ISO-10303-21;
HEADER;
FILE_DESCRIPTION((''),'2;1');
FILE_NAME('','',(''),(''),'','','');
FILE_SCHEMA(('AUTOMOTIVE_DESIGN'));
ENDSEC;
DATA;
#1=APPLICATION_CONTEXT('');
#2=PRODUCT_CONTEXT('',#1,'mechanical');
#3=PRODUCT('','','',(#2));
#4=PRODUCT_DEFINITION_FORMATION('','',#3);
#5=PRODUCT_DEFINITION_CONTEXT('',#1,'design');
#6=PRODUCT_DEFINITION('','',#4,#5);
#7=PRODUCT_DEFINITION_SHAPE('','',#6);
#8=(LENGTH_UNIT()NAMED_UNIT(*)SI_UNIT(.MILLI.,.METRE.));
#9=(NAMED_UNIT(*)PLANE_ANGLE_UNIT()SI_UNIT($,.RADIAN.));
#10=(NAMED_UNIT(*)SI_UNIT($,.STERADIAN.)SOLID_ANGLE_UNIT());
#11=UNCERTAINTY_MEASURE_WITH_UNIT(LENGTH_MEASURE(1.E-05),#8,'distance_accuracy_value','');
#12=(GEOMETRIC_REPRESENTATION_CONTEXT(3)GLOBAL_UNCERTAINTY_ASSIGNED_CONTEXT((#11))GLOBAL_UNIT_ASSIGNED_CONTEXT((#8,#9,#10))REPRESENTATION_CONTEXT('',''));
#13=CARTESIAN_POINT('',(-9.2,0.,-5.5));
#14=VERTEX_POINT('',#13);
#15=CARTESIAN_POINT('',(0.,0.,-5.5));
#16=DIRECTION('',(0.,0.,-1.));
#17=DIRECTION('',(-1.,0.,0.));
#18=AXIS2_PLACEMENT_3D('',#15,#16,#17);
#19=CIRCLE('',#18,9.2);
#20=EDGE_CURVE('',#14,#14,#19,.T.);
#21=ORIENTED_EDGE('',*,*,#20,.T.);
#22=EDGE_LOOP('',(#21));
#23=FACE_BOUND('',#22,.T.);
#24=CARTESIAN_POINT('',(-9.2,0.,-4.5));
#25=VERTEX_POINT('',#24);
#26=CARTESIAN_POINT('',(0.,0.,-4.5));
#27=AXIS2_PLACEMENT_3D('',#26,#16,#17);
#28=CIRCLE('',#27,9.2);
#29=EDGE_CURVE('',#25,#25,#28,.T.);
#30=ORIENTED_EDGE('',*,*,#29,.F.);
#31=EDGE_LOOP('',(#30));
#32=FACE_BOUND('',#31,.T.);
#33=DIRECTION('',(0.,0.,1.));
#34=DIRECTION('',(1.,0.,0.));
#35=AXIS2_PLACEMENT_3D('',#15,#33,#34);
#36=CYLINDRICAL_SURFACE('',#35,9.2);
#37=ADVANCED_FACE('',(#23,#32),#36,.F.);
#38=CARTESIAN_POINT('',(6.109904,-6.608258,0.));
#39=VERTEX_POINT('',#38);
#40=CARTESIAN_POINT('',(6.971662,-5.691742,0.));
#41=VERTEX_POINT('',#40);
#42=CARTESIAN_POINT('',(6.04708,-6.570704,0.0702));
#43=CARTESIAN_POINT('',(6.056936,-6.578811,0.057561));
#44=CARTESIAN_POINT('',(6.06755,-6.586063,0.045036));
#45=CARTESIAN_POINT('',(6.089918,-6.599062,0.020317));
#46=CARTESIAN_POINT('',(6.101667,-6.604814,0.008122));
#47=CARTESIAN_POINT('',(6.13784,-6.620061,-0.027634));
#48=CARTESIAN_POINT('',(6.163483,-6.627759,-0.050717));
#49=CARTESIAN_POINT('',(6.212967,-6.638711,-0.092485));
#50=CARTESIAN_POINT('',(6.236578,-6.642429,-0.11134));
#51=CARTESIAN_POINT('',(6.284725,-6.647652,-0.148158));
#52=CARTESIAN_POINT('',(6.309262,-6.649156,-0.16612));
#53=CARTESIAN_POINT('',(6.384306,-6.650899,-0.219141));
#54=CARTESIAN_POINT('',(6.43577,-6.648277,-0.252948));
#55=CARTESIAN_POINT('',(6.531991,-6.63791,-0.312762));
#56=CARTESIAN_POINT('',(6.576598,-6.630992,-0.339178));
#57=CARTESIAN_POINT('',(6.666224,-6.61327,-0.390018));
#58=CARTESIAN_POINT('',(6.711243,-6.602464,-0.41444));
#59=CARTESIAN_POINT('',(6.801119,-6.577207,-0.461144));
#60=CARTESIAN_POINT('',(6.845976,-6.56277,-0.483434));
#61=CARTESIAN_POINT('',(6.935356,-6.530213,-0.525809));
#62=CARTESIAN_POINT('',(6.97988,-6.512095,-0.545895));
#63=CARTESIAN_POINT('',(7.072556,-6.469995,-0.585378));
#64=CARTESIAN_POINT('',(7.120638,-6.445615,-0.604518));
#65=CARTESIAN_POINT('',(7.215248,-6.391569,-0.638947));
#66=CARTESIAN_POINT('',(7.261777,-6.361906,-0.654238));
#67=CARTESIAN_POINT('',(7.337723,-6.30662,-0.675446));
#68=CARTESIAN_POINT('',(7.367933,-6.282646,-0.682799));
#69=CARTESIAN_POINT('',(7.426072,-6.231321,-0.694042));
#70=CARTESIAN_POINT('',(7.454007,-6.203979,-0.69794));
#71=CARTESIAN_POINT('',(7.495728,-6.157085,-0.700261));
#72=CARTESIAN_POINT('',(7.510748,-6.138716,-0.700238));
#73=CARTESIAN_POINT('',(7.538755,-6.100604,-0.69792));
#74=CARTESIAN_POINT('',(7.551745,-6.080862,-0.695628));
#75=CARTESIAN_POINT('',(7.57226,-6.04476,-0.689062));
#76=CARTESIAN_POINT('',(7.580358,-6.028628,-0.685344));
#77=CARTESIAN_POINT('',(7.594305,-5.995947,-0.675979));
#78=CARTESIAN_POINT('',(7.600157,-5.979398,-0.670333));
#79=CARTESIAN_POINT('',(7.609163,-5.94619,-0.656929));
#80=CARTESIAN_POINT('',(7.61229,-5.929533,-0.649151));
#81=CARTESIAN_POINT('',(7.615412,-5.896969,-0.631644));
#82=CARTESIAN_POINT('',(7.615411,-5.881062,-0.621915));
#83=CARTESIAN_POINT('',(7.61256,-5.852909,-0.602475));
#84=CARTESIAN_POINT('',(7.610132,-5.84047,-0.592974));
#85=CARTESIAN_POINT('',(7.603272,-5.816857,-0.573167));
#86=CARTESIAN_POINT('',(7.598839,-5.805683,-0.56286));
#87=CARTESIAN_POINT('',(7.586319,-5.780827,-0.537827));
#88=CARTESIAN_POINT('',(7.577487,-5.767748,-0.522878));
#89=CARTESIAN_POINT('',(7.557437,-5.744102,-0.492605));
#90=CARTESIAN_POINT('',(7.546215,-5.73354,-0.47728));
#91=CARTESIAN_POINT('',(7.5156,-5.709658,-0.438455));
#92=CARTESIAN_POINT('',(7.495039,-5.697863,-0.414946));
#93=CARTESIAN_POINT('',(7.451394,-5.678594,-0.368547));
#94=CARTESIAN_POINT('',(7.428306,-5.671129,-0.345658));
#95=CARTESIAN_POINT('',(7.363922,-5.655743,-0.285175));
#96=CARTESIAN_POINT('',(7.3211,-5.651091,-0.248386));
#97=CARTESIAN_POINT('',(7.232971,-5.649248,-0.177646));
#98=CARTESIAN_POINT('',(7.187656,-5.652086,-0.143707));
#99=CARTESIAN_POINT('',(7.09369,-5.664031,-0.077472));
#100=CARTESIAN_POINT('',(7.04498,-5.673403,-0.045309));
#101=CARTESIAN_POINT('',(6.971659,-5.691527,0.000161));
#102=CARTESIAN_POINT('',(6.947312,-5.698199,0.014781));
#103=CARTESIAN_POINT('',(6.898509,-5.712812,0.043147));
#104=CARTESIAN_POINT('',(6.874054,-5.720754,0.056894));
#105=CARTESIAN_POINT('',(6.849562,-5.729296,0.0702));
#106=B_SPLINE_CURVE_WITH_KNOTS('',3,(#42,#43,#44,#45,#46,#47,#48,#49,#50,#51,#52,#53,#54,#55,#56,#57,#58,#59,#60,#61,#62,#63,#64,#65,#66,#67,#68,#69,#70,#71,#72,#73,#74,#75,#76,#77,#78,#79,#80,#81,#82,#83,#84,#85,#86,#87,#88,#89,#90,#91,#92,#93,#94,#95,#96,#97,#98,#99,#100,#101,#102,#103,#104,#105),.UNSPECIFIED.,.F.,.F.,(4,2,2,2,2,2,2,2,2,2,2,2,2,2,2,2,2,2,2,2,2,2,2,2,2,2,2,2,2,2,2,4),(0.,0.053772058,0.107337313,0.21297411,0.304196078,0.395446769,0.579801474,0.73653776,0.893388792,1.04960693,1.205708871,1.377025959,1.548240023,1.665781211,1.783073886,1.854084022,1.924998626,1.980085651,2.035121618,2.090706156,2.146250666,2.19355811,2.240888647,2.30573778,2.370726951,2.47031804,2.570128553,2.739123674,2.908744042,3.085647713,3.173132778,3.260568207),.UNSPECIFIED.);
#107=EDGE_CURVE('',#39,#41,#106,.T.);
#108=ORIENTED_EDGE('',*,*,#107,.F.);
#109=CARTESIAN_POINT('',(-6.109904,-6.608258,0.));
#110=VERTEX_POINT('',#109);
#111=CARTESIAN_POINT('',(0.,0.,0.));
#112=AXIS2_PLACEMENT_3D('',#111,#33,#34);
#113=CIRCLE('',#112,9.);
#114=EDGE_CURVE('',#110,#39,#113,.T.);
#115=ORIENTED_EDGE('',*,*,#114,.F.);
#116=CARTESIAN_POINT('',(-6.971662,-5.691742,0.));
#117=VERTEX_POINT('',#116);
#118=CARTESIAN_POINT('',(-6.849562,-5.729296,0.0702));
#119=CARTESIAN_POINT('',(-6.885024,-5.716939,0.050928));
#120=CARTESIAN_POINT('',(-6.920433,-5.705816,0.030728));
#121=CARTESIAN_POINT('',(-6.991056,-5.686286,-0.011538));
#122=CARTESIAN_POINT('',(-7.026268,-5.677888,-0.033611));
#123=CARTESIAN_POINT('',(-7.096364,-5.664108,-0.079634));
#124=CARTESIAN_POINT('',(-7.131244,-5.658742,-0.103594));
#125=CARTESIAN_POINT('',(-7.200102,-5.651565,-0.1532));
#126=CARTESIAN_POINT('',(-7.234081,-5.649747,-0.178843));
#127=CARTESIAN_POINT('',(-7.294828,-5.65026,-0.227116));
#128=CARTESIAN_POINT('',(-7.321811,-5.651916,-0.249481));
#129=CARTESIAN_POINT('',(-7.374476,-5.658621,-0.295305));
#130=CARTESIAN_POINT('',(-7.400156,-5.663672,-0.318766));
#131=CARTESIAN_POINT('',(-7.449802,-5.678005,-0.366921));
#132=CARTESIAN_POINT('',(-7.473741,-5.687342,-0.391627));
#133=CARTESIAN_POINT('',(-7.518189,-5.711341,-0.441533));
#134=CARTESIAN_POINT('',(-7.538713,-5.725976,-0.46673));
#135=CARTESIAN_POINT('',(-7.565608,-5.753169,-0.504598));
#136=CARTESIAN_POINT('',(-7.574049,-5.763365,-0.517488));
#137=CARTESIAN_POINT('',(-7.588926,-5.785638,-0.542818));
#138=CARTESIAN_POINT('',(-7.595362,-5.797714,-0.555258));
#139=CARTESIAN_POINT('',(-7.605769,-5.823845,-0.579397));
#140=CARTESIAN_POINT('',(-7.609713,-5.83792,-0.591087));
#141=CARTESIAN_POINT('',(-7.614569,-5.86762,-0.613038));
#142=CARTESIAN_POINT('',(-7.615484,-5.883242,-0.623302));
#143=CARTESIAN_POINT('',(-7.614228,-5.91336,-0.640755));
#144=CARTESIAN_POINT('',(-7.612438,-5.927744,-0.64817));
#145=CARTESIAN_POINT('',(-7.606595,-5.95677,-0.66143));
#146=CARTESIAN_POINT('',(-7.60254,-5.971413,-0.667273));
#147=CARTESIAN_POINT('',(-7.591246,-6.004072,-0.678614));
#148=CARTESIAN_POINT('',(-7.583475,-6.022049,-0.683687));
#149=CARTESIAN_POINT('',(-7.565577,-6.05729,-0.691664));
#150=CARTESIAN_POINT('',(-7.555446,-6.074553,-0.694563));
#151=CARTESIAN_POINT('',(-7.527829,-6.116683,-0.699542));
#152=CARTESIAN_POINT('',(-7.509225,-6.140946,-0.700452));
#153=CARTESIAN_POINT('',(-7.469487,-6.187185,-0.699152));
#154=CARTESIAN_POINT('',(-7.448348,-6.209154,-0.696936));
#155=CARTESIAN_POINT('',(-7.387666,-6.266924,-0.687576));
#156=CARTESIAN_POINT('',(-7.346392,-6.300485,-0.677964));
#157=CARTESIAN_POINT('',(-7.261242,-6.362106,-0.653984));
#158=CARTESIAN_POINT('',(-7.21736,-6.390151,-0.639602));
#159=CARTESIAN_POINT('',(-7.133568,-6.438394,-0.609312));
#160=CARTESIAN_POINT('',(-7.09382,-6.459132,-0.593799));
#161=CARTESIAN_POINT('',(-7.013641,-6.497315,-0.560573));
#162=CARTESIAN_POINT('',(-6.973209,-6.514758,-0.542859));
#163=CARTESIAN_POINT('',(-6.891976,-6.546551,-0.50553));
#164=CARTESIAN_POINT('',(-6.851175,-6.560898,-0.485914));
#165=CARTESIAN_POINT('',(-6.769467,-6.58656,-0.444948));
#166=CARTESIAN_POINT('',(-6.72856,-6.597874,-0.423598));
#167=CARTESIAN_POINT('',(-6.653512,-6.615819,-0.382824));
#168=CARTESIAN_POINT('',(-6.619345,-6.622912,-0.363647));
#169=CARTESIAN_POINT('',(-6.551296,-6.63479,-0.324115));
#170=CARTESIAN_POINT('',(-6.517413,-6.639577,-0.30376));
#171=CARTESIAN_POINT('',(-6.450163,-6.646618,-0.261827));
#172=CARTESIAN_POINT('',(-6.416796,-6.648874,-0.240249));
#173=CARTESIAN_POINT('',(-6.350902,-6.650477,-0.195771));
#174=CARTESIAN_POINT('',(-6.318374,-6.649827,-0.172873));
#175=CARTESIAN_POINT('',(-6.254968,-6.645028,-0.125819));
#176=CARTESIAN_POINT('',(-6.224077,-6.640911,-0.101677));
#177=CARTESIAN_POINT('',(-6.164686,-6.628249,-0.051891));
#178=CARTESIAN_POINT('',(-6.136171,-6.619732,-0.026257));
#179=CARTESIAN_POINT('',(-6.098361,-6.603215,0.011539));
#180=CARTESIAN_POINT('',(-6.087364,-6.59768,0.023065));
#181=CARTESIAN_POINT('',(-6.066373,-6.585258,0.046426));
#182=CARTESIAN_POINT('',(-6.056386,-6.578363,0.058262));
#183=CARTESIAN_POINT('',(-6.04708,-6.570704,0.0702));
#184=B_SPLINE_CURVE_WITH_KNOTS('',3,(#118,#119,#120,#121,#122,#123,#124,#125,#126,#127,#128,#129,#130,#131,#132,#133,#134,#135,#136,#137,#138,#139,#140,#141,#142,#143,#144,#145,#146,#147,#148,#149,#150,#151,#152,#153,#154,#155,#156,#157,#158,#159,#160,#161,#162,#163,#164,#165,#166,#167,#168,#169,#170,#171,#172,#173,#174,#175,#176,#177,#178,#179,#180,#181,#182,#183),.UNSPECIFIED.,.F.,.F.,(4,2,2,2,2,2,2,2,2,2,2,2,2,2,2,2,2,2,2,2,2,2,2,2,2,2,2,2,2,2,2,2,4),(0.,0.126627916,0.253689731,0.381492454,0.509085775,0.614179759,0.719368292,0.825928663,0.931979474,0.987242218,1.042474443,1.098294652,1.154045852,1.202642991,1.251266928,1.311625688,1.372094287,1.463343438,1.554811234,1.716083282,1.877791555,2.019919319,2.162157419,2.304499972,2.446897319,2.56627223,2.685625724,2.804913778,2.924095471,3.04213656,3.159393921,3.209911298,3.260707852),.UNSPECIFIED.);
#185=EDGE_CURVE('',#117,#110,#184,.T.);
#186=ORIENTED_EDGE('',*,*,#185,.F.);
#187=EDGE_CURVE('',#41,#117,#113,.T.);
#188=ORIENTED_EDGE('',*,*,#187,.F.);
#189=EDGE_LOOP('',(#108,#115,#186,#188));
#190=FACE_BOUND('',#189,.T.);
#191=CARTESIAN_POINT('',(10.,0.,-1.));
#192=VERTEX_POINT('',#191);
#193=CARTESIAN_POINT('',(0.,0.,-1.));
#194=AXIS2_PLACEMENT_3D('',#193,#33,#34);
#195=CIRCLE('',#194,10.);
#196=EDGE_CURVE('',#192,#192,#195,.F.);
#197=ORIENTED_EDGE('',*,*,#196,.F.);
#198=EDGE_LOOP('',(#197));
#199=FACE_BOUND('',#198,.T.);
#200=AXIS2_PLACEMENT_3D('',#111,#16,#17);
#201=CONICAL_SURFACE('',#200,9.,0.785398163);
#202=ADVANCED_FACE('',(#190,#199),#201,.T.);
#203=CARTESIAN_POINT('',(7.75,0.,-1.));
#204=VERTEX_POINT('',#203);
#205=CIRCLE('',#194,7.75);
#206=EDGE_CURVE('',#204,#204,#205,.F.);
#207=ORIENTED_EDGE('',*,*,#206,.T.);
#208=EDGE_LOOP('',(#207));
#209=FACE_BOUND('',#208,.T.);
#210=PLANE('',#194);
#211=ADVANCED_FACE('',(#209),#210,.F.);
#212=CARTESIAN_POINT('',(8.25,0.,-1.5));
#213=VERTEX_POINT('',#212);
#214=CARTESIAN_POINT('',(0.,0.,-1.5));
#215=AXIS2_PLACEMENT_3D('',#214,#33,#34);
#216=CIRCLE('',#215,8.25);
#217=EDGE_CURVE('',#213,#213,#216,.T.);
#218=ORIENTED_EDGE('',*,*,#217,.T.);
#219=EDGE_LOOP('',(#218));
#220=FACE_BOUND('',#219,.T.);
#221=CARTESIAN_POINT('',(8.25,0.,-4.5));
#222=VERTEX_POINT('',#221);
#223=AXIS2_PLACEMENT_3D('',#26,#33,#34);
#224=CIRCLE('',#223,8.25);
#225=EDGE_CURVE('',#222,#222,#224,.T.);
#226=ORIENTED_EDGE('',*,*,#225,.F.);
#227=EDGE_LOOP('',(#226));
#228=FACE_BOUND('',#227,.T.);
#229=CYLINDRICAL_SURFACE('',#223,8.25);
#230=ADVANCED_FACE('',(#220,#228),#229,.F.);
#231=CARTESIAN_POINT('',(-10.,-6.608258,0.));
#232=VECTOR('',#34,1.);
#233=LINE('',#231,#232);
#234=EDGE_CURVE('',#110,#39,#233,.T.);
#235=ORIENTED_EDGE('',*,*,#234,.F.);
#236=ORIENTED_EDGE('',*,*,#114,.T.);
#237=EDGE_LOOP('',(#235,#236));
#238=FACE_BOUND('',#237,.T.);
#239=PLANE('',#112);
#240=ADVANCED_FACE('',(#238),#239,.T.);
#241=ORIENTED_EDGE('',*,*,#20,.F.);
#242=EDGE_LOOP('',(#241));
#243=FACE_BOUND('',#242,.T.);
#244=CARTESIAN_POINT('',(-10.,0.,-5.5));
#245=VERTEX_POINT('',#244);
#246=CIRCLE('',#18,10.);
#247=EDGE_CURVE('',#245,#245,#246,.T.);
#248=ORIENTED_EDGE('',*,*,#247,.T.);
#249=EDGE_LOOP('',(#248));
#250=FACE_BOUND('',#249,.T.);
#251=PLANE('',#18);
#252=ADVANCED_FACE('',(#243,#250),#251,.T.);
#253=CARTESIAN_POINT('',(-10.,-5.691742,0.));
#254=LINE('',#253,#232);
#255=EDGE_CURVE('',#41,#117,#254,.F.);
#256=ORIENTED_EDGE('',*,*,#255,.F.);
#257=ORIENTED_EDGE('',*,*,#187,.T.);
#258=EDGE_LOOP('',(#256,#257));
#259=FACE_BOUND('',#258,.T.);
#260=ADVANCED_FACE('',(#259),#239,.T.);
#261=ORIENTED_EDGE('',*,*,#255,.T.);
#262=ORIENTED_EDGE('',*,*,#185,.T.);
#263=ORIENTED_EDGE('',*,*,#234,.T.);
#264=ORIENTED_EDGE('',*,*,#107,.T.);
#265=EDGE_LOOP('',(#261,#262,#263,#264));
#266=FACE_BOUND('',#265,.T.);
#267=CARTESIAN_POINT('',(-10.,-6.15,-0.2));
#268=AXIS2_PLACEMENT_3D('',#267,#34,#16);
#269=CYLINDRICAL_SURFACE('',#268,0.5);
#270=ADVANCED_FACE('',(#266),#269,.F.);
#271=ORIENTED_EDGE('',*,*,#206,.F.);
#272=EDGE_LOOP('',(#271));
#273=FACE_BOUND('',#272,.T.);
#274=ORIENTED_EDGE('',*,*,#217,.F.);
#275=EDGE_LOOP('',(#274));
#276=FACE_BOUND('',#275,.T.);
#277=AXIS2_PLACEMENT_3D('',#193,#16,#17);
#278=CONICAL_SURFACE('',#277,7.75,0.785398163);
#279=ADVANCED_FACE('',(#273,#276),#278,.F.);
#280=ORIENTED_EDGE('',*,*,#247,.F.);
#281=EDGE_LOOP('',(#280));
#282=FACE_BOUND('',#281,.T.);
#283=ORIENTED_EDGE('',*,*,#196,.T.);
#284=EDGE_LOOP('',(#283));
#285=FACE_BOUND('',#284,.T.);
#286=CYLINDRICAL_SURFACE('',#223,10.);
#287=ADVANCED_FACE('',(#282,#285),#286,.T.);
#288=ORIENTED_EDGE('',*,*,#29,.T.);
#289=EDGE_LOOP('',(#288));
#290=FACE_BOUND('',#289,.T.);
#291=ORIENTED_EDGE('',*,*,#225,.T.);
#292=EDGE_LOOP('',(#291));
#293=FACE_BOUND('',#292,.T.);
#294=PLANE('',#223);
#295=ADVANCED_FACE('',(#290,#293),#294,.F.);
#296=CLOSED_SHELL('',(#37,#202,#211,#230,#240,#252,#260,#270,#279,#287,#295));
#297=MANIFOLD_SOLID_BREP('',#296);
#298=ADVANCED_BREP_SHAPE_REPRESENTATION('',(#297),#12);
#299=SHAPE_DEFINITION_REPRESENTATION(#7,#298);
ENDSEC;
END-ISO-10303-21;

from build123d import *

# Parameters (mm, degrees)
SKETCH1_R               = 10
SKETCH1_R_2             = 8.25
BOSS_EXTRUDE1_DEPTH     = 4.5
SKETCH1_3_R             = 8.25
BOSS_EXTRUDE2_DEPTH     = 1
SKETCH2_R               = 10
SKETCH2_R_2             = 9.2
BOSS_EXTRUDE3_DEPTH     = 1
CHAMFER1_SIZE           = 1
CHAMFER2_SIZE           = 0.5
SKETCH4_R               = 0.5
CUT_EXTRUDE3_DEPTH      = 11
CUT_EXTRUDE3_DEPTH_BACK = 11


with BuildPart() as part:
    # Sketch1 → Boss-Extrude1 (new body)
    with BuildSketch(Plane.XY):
        Circle(SKETCH1_R)
        Circle(SKETCH1_R_2, mode=Mode.SUBTRACT)
    extrude(amount=-BOSS_EXTRUDE1_DEPTH)

    # Sketch1<3> → Boss-Extrude2 (add)
    with BuildSketch(Plane.XY):
        Circle(SKETCH1_3_R)
    extrude(amount=-BOSS_EXTRUDE2_DEPTH)

    # Sketch2 → Boss-Extrude3 (add)
    with BuildSketch(Plane(origin=(0, 0, -4.5), x_dir=(-1, 0, 0), z_dir=(0, 0, -1))):
        Circle(SKETCH2_R)
        Circle(SKETCH2_R_2, mode=Mode.SUBTRACT)
    extrude(amount=BOSS_EXTRUDE3_DEPTH)

    # Chamfer1
    chamfer1_edges = [part.edges().sort_by_distance(p)[0] for p in [
        (-10, 0, 0),
    ]]
    chamfer(chamfer1_edges, length=CHAMFER1_SIZE)

    # Chamfer2
    chamfer2_edges = [part.edges().sort_by_distance(p)[0] for p in [
        (-8.25, 0, -1),
    ]]
    chamfer(chamfer2_edges, length=CHAMFER2_SIZE)

    # Sketch4 → Cut-Extrude3 (cut, two sides)
    with BuildSketch(Plane(origin=(0, 0, 0), x_dir=(0, 0, -1), z_dir=(1, 0, 0))) as cut_extrude3_sk:
        with Locations((0.2, -6.15)):
            Circle(SKETCH4_R)
    extrude(amount=CUT_EXTRUDE3_DEPTH, mode=Mode.SUBTRACT)
    extrude(cut_extrude3_sk.sketch, amount=-CUT_EXTRUDE3_DEPTH_BACK, mode=Mode.SUBTRACT)


solid = part.part
